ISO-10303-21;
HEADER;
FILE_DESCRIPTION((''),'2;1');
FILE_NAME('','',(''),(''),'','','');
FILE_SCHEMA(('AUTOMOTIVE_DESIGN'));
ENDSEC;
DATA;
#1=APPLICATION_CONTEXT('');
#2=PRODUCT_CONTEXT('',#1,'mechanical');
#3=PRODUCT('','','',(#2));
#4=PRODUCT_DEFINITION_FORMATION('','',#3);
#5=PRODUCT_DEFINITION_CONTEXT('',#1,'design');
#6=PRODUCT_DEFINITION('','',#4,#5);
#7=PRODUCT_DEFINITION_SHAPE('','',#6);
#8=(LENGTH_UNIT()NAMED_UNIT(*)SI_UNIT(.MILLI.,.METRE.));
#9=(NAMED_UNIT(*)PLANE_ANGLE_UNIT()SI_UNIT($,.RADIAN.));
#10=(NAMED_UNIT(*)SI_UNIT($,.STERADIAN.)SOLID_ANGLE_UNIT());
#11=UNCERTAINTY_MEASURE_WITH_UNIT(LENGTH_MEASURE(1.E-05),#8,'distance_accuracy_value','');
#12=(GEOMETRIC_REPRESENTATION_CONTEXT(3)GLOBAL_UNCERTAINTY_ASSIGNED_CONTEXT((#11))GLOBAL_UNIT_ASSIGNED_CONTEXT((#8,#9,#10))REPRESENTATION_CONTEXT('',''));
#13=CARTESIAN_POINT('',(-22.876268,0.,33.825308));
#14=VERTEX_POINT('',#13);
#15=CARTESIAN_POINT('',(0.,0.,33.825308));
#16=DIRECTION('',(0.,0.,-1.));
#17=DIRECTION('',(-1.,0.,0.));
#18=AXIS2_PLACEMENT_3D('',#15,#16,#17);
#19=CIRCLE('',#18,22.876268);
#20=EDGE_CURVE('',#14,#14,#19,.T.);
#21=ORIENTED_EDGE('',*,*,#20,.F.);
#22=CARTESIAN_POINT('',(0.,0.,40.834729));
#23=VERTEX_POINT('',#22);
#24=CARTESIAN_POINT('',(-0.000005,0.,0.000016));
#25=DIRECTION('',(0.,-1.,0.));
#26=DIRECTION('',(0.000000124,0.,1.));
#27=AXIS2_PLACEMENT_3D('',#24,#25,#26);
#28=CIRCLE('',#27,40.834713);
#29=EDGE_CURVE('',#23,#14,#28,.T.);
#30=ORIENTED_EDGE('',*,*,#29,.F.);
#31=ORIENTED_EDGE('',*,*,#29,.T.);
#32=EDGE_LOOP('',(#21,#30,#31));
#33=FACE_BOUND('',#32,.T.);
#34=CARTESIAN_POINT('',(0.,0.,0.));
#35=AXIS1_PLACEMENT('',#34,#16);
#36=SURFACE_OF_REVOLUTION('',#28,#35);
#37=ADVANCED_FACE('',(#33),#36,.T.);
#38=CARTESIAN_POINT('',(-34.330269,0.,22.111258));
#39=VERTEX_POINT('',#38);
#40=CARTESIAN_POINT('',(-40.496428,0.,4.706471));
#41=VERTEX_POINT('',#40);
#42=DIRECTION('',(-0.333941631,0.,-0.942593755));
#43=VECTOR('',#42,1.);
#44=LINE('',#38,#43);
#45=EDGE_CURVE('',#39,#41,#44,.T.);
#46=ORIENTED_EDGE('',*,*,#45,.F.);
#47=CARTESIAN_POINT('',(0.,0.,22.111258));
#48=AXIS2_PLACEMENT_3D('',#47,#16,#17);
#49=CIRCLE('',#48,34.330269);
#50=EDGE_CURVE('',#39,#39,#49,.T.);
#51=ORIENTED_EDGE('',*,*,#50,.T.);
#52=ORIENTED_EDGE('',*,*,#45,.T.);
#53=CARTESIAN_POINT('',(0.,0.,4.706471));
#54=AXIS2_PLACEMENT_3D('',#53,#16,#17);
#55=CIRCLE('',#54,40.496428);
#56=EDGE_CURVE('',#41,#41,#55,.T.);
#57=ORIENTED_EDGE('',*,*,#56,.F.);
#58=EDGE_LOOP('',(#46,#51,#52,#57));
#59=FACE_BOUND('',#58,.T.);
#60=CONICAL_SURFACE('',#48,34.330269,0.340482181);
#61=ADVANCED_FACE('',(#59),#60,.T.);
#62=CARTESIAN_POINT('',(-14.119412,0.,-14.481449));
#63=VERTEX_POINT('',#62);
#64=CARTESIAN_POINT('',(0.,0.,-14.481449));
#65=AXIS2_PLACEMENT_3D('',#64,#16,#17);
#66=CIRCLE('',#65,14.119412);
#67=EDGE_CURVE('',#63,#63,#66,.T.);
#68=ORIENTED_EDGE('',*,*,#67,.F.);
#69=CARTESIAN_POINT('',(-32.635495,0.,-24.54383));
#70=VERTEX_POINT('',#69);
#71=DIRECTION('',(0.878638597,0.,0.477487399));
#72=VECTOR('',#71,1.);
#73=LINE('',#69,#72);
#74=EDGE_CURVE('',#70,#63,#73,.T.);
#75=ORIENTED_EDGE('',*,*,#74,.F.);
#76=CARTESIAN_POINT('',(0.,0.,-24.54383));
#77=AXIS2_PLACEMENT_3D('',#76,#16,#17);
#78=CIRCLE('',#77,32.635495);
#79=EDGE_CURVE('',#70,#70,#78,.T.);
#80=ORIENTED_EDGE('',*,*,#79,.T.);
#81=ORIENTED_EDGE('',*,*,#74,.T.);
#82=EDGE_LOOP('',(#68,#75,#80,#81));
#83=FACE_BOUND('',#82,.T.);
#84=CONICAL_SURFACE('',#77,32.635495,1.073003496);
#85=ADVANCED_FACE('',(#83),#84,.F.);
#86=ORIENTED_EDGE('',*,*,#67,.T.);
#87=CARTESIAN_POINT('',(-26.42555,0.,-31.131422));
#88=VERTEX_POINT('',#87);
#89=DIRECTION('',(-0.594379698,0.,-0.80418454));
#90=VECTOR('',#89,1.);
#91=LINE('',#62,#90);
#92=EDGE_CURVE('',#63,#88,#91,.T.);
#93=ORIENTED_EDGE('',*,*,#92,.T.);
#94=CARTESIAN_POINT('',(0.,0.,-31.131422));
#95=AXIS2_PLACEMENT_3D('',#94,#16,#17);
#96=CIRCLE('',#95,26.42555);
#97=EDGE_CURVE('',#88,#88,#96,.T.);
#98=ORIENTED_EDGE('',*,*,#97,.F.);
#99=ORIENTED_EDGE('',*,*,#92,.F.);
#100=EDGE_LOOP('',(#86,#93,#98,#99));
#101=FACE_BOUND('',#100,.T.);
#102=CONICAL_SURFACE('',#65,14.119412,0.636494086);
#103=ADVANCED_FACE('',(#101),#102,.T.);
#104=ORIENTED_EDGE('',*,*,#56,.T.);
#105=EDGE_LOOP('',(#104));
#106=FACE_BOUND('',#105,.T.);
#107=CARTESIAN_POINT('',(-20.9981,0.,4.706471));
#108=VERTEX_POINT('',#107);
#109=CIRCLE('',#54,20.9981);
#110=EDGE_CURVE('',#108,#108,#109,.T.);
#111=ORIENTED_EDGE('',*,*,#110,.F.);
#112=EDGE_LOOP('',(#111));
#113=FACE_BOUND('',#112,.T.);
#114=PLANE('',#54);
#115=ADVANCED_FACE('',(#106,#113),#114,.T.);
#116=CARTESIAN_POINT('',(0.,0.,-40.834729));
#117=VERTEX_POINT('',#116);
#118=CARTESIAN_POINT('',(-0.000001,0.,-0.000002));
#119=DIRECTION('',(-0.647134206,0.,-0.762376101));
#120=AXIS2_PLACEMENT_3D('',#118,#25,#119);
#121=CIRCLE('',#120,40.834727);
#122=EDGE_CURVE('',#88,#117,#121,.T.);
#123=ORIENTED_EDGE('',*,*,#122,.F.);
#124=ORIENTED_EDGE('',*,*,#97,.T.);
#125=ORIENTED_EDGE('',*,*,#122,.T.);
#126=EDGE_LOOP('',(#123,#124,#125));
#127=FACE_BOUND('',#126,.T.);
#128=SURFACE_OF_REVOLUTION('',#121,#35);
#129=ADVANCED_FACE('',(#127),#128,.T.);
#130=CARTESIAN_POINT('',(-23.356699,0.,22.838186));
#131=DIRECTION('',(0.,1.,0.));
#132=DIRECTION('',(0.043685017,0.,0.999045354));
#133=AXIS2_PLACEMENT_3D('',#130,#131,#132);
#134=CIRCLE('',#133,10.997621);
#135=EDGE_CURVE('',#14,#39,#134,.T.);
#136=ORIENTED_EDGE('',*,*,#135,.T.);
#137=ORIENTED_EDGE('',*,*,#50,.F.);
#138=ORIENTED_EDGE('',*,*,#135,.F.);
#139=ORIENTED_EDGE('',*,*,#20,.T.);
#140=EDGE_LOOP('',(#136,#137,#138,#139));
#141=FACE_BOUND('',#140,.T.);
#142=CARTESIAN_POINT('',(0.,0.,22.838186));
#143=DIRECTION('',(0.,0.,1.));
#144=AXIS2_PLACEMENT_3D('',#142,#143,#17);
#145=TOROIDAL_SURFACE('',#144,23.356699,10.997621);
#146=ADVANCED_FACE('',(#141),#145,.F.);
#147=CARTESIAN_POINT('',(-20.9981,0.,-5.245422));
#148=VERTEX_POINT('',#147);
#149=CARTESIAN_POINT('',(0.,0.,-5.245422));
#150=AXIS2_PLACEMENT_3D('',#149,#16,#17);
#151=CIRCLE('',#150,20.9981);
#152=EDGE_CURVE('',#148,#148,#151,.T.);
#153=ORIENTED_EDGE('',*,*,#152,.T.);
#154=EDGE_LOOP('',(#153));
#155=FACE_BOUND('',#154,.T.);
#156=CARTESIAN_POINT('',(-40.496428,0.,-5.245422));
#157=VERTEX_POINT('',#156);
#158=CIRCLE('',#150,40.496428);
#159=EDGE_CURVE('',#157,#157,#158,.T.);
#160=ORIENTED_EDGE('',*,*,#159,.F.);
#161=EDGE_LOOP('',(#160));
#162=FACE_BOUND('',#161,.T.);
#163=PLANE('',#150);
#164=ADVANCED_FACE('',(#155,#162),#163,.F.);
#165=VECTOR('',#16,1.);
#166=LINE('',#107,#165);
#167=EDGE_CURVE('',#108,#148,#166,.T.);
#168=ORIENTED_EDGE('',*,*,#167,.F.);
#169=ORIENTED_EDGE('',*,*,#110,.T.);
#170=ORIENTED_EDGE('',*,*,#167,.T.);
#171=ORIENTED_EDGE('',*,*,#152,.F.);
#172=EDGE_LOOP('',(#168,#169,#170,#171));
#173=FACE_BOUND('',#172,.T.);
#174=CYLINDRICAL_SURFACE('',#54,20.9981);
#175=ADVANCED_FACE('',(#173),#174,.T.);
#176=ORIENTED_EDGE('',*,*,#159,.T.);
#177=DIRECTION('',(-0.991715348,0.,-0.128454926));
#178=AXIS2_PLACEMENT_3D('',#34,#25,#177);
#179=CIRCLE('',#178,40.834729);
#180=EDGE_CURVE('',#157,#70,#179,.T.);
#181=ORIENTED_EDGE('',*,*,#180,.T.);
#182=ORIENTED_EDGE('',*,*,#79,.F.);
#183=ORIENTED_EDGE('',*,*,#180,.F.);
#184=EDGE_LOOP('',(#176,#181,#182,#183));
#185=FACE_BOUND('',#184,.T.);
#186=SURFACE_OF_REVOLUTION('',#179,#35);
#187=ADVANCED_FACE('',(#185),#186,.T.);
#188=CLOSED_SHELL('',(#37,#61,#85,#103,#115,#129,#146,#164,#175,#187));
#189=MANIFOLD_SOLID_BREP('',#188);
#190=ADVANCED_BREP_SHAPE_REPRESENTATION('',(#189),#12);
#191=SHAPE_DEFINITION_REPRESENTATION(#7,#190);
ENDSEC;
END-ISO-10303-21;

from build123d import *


with BuildPart() as f1:
    # F0 (on Front) → F1 (revolve)
    with BuildSketch(Plane.XZ):
        with BuildLine():
            Line((-20.9981, -5.245422), (-40.496428, -5.245422))
            ThreePointArc((-40.496428, -5.245422), (-37.817677, -15.404494), (-32.635495, -24.54383))
            Line((-32.635495, -24.54383), (-14.119412, -14.481449))
            Line((-14.119412, -14.481449), (-26.42555, -31.131422))
            ThreePointArc((-26.42555, -31.131422), (-14.075367, -38.332221), (0, -40.834729))
            Line((0, -40.834729), (0, 40.834729))
            ThreePointArc((0, 40.834729), (-11.963023, 39.043069), (-22.876268, 33.825308))
            ThreePointArc((-22.876268, 33.825308), (-15.493416, 15.149465), (-34.330269, 22.111258))
            Line((-34.330269, 22.111258), (-40.496428, 4.706471))
            Line((-40.496428, 4.706471), (-20.9981, 4.706471))
            Line((-20.9981, 4.706471), (-20.9981, -5.245422))
        make_face()
    revolve(axis=Axis((0, 0, 0), (0, 0, -1)))


solid = f1.part
